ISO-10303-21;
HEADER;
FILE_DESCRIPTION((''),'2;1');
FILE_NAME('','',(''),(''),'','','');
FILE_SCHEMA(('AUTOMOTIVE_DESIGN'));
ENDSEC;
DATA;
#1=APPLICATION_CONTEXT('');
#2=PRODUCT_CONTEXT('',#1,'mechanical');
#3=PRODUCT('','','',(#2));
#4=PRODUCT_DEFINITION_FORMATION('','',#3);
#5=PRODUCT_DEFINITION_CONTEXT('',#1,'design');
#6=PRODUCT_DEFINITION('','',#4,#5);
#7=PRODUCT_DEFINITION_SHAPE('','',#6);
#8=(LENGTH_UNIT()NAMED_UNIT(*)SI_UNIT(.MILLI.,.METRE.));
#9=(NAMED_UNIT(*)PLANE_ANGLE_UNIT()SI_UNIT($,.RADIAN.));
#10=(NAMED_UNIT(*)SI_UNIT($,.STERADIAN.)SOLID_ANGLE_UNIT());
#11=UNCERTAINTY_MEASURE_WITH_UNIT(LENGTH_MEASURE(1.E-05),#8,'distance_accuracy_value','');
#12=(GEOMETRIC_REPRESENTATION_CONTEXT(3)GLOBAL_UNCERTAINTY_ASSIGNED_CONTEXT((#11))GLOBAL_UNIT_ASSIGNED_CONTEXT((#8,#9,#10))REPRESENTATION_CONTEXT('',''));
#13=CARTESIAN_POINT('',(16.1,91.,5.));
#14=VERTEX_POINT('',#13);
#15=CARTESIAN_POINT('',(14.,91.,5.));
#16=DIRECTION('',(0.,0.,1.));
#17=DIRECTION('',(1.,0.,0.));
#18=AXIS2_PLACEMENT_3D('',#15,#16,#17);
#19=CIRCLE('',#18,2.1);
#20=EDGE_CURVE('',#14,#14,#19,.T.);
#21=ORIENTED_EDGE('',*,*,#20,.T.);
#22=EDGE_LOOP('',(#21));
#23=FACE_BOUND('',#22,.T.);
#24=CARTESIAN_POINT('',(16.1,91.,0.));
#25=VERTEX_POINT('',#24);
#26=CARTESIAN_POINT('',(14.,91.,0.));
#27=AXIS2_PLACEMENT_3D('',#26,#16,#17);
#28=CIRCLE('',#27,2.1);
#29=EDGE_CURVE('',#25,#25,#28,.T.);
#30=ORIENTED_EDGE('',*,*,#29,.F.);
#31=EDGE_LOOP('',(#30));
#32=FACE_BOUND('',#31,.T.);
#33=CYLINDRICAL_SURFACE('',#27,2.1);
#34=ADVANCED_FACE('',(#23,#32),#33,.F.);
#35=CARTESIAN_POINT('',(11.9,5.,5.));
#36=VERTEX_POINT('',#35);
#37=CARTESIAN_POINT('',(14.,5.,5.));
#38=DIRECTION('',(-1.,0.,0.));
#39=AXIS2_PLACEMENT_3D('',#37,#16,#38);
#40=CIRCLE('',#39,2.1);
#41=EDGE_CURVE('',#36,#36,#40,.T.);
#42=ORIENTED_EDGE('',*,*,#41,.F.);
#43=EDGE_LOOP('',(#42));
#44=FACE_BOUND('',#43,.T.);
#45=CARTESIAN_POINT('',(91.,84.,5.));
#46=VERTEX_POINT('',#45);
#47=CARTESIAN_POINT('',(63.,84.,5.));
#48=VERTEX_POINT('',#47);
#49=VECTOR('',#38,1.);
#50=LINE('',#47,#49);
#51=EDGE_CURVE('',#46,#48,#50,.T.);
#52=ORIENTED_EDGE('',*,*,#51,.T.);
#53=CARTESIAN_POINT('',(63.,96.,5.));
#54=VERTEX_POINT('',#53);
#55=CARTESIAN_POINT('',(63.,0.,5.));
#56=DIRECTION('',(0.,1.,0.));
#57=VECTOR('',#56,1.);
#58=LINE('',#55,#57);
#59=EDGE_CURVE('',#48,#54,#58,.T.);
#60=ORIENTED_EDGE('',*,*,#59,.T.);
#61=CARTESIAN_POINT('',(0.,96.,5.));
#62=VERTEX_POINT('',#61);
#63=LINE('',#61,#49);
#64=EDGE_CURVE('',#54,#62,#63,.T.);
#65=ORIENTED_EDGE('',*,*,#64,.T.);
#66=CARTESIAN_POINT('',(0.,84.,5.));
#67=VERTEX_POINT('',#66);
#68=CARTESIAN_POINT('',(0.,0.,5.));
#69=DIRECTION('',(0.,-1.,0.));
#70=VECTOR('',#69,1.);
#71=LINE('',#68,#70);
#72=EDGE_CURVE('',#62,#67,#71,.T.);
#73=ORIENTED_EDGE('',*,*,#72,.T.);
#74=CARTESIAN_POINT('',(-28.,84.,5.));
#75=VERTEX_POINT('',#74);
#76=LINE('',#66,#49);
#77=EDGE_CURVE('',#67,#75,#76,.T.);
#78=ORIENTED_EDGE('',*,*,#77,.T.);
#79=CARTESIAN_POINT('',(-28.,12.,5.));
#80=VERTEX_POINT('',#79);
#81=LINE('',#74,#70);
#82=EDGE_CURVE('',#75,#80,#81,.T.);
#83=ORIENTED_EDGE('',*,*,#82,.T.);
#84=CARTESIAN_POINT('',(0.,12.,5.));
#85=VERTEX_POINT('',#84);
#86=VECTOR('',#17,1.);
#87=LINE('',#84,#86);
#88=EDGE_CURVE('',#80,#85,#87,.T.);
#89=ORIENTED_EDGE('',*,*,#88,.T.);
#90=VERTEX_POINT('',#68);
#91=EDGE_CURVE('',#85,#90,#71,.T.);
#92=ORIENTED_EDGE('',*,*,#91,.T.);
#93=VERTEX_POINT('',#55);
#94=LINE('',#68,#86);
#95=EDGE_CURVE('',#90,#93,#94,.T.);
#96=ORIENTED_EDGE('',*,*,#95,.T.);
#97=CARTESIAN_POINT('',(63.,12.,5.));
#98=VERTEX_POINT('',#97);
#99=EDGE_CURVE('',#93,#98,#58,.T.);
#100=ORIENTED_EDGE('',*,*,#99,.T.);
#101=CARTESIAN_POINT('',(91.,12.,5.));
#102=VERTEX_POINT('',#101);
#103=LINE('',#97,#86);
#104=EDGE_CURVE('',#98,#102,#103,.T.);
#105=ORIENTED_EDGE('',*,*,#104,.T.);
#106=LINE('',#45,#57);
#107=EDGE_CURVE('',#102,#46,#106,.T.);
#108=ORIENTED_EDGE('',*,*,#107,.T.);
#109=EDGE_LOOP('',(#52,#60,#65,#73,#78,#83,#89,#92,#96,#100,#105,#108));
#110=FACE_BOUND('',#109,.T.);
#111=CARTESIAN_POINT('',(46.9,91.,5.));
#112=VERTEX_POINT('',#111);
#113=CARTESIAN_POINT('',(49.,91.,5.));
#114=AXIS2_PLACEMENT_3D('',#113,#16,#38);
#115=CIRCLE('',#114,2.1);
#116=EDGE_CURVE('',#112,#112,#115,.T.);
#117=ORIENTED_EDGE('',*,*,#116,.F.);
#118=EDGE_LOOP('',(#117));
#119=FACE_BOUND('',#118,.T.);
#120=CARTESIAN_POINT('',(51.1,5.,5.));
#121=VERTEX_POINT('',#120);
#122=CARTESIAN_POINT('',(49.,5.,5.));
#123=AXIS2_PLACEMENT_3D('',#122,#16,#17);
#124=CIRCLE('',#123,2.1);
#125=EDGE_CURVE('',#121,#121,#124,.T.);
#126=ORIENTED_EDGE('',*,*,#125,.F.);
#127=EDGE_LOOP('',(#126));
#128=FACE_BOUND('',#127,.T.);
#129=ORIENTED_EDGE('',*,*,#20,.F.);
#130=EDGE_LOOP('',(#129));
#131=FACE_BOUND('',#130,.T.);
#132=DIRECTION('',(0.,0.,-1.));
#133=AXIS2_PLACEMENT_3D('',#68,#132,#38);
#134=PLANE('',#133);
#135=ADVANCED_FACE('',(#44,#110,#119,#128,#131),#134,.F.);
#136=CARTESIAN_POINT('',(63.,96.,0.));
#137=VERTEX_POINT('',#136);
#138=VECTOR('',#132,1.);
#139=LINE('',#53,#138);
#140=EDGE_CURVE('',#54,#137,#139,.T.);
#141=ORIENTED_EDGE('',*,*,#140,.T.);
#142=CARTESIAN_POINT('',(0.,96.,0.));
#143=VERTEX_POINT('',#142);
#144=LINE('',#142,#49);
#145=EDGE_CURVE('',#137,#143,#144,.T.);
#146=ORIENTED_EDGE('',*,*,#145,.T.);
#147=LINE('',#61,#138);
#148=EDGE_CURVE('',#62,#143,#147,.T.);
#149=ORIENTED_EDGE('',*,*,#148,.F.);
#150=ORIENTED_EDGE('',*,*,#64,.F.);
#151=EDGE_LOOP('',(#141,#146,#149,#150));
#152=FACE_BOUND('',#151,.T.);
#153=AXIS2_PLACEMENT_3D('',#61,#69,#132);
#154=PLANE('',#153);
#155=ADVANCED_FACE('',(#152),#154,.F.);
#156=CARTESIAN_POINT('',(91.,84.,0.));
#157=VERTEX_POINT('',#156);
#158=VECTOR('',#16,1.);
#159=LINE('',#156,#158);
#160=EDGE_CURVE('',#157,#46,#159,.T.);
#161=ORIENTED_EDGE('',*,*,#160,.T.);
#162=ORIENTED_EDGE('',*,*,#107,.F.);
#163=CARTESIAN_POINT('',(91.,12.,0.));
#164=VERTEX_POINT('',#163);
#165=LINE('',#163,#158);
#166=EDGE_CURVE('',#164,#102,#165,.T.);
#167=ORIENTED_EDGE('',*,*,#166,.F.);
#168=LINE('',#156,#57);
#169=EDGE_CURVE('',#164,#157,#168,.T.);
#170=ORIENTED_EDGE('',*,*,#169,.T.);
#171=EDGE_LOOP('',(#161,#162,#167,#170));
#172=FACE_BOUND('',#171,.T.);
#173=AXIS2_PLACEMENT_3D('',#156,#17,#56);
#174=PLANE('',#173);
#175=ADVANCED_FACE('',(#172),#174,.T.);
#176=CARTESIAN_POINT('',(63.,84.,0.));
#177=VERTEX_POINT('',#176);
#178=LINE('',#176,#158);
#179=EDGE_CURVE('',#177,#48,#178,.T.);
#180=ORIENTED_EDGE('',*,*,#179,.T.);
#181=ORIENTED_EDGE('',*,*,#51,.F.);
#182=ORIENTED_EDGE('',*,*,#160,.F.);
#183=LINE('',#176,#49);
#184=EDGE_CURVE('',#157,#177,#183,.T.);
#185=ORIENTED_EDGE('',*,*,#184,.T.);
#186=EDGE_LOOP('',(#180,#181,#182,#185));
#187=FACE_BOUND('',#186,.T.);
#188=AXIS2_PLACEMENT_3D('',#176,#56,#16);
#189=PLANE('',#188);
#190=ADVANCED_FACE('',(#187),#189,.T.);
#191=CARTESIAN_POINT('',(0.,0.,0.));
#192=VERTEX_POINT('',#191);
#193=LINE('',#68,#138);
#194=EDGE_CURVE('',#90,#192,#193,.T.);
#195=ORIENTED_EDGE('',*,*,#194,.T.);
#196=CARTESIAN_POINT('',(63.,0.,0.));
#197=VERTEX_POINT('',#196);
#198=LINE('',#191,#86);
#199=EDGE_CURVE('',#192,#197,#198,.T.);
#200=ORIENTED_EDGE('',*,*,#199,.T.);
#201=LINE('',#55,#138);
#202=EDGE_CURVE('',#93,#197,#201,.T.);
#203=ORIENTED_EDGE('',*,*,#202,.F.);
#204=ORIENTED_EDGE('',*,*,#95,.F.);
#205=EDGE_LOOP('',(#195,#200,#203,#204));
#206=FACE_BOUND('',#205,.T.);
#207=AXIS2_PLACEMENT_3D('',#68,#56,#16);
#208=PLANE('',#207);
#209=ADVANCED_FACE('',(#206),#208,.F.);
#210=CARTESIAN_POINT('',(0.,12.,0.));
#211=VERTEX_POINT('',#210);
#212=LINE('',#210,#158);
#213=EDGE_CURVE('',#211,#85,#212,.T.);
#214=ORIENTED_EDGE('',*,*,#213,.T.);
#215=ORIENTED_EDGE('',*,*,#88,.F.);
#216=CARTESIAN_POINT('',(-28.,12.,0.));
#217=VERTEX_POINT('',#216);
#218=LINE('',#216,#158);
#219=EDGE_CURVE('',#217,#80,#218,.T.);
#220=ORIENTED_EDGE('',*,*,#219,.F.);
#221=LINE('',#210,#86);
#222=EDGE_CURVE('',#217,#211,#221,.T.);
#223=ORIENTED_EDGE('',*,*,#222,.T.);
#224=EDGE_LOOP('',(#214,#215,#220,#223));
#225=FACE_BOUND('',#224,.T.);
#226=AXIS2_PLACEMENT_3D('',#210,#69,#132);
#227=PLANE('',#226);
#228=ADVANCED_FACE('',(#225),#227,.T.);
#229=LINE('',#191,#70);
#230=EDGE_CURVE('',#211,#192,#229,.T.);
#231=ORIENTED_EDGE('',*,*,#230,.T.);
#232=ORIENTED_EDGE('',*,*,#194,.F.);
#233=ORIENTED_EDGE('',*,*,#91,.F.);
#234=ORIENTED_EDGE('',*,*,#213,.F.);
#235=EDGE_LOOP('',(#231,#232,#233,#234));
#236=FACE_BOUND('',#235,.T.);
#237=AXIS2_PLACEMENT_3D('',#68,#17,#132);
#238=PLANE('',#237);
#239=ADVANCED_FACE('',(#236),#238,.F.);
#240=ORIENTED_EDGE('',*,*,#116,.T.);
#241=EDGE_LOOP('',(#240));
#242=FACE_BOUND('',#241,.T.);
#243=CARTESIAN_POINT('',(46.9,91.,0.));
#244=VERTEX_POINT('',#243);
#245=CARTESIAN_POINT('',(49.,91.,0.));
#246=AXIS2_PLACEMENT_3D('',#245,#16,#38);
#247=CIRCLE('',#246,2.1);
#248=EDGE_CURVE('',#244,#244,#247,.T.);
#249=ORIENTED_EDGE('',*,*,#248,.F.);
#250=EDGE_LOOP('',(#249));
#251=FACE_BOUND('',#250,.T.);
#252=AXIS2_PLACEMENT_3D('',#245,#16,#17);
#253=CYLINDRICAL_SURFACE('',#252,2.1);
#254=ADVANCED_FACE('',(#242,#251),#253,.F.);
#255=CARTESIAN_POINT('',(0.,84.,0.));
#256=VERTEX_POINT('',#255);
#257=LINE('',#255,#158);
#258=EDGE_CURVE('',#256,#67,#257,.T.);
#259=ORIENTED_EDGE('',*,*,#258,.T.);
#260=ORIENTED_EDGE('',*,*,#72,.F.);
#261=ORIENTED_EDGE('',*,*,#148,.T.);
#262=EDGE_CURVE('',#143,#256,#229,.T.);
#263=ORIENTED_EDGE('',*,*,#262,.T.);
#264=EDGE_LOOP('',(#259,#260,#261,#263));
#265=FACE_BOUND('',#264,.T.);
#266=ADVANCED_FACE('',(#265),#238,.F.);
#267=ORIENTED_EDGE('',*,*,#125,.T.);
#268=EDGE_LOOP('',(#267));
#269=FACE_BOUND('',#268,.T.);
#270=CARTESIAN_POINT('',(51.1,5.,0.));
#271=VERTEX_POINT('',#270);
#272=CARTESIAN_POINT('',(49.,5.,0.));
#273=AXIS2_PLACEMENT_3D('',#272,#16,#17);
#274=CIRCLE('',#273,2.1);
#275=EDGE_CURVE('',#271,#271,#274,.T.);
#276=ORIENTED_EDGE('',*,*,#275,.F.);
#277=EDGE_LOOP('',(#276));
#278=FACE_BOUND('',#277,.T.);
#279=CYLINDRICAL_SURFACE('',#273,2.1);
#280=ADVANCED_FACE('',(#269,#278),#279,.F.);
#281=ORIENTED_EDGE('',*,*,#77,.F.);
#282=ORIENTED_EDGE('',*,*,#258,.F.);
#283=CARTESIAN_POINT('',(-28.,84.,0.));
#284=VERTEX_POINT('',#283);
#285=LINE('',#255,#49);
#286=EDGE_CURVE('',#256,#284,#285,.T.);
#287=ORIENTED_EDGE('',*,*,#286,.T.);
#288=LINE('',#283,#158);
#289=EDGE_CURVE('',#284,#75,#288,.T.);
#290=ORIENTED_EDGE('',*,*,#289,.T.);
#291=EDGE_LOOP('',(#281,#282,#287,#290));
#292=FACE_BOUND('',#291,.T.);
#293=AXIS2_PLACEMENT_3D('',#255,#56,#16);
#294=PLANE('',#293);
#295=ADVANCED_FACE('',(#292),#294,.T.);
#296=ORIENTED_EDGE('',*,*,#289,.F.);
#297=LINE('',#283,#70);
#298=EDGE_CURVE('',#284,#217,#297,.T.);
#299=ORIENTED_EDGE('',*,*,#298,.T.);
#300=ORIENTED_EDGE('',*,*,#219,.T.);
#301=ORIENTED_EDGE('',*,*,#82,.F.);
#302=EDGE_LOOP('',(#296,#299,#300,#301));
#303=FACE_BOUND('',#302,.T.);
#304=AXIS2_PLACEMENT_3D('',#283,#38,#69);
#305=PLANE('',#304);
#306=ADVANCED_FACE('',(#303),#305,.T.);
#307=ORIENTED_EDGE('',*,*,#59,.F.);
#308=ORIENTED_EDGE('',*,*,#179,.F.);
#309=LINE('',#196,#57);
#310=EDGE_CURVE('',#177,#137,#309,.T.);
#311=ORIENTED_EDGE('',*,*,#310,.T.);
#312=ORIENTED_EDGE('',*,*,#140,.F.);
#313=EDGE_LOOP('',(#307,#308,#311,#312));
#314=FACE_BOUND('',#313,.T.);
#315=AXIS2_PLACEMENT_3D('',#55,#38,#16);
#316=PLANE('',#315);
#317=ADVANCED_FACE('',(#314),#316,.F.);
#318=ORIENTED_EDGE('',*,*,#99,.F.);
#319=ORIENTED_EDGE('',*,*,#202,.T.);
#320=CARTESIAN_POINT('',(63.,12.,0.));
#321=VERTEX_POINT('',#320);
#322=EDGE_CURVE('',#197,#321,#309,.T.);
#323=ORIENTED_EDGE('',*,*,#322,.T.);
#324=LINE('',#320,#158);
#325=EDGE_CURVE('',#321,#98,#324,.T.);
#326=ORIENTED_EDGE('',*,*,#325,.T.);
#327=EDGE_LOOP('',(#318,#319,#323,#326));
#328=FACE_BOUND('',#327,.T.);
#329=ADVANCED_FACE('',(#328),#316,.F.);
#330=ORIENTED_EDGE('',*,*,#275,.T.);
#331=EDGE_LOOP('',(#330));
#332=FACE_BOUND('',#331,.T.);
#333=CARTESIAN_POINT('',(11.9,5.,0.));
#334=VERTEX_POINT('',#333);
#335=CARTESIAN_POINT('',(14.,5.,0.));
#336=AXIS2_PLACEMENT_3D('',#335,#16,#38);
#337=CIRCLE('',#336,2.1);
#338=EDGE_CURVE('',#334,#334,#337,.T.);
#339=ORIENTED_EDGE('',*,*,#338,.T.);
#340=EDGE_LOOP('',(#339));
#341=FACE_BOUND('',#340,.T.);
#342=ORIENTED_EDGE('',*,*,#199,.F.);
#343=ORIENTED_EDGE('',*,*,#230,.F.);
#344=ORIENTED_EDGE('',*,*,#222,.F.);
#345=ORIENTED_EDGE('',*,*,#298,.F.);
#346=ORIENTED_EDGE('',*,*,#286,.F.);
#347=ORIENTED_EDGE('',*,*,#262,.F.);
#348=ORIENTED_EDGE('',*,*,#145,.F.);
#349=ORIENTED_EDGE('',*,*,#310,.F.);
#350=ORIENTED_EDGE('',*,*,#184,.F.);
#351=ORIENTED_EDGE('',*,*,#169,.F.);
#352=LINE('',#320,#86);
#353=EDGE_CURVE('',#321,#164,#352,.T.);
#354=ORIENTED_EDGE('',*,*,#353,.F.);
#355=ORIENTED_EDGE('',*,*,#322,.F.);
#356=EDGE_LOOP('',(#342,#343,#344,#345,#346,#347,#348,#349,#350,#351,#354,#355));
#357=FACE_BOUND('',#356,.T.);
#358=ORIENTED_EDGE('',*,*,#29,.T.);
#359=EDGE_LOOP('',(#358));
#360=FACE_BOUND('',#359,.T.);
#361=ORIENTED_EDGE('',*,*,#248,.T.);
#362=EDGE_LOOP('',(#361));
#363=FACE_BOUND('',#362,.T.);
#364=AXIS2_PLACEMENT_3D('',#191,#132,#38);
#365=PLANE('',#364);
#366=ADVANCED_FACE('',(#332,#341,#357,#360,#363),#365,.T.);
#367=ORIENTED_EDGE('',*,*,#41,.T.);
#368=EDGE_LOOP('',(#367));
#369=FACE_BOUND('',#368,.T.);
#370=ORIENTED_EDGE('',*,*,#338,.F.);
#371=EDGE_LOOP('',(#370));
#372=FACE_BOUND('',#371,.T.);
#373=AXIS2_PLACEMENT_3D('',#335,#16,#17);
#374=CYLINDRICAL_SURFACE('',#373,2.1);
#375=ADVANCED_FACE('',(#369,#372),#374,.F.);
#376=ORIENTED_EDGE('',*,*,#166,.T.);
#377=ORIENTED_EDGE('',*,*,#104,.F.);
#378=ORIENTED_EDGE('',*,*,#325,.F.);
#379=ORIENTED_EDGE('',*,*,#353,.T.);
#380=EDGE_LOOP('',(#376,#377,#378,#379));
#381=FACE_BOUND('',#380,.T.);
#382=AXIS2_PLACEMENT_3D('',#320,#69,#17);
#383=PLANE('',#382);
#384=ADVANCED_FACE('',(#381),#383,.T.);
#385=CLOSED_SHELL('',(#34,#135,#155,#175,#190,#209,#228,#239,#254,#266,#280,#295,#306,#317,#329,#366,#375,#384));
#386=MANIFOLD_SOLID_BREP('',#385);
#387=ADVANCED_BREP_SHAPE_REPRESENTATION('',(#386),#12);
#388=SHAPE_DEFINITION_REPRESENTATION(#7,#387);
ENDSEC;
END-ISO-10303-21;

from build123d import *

# Parameters (mm, degrees)
SKETCH2_W           = 63
SKETCH2_H           = 96
BOSS_EXTRUDE1_DEPTH = 5
SKETCH3_R           = 2.1
CUT_EXTRUDE1_DEPTH  = 5
SKETCH4_W           = 28
SKETCH4_H           = 72
BOSS_EXTRUDE2_DEPTH = 5


with BuildPart() as part:
    # Sketch2 → Boss-Extrude1 (new body)
    with BuildSketch(Plane.XY):
        with Locations((31.5, 48)):
            Rectangle(SKETCH2_W, SKETCH2_H)
    extrude(amount=BOSS_EXTRUDE1_DEPTH)

    # Sketch3 → Cut-Extrude1 (cut)
    with BuildSketch(Plane.XY.offset(5)):
        with Locations((14, 91)):
            Circle(SKETCH3_R)
        with Locations(Location((49, 91, 0), (0, 0, 180))):
            Circle(SKETCH3_R)
        with Locations((49, 5)):
            Circle(SKETCH3_R)
        with Locations(Location((14, 5, 0), (0, 0, 180))):
            Circle(SKETCH3_R)
    extrude(amount=-CUT_EXTRUDE1_DEPTH, mode=Mode.SUBTRACT)

    # Sketch4 → Boss-Extrude2 (add)
    with BuildSketch(Plane.XY.offset(5)):
        with Locations((77, 48)):
            Rectangle(SKETCH4_W, SKETCH4_H)
        with Locations((-14, 48)):
            Rectangle(SKETCH4_W, SKETCH4_H)
    extrude(amount=-BOSS_EXTRUDE2_DEPTH)


solid = part.part
